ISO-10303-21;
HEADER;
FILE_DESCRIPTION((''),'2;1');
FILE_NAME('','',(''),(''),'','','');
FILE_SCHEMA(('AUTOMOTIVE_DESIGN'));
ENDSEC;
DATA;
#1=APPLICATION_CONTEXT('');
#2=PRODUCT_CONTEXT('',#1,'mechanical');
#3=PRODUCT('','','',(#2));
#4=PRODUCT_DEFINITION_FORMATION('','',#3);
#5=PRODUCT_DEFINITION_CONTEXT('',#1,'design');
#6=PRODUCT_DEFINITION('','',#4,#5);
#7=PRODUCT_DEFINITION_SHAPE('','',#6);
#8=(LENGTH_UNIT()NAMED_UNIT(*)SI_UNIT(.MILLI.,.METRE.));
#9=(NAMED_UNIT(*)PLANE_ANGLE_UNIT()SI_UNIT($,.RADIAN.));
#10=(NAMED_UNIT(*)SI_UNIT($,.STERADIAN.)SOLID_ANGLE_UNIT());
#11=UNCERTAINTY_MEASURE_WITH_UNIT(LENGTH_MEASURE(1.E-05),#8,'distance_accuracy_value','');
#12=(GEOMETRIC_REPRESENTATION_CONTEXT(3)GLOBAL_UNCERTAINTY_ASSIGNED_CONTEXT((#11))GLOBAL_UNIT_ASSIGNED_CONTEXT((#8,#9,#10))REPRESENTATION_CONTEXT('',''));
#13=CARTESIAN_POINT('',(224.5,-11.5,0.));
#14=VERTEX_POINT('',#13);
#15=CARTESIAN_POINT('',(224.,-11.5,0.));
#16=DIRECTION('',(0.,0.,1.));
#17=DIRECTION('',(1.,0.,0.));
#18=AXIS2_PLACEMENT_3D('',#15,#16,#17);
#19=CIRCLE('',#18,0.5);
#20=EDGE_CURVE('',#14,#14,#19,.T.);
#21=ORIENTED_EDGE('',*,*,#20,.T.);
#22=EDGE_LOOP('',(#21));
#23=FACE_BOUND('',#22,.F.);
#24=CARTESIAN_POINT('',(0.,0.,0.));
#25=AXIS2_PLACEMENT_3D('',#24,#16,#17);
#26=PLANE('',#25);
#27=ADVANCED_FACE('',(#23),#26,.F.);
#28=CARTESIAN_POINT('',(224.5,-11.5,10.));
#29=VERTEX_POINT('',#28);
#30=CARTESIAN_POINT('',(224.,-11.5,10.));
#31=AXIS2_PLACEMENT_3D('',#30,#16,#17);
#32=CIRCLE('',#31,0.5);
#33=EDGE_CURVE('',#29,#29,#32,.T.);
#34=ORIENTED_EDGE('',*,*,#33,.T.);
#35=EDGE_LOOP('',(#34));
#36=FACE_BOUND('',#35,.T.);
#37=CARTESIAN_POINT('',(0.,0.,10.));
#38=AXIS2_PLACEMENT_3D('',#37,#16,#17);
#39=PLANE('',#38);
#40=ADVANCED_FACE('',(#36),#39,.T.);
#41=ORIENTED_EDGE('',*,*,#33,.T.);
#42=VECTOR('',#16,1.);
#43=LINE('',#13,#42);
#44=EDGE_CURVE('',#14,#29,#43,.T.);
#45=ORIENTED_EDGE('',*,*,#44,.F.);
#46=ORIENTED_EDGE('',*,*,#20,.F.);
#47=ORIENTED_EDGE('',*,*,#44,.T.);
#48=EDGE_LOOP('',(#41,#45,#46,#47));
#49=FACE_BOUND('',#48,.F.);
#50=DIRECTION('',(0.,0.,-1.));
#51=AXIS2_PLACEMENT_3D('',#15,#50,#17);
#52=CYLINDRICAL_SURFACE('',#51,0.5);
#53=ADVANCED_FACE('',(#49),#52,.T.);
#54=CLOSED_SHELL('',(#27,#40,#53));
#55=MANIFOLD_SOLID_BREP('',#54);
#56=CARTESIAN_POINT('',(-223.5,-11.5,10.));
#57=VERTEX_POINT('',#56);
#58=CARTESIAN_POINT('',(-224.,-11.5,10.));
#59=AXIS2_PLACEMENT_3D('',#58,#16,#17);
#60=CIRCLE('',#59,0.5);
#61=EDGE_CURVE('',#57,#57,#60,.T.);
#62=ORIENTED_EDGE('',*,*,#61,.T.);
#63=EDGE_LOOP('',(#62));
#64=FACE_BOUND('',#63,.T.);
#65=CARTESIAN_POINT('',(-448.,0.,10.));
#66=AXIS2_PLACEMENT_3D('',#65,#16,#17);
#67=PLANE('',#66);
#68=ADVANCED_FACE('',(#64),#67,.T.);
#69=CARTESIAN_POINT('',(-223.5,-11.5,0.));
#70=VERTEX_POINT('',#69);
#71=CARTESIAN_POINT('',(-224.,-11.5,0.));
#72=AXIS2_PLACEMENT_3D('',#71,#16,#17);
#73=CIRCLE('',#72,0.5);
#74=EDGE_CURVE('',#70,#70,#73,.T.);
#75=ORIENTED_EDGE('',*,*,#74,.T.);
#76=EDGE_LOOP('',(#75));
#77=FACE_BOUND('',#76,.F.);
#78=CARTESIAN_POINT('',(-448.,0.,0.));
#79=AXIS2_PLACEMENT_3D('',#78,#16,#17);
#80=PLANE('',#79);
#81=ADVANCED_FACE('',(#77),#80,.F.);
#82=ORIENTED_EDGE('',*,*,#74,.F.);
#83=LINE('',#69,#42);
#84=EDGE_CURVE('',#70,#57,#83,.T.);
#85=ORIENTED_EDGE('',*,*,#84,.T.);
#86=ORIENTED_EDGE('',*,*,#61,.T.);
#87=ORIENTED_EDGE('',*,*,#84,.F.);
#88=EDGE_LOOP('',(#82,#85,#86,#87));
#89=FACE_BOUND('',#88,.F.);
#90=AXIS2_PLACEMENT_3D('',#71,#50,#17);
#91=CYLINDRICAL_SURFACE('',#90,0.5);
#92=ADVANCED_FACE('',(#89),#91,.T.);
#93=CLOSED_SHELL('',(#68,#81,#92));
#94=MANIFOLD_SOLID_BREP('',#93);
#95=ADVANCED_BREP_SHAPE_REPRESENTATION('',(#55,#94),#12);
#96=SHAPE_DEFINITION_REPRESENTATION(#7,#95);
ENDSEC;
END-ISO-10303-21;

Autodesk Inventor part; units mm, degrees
ref_plane "YZ Plane" through (0, 0, 0) normal (1, 0, 0) x (0, 1, 0)
ref_plane "XZ Plane" through (0, 0, 0) normal (0, 1, 0) x (-1, 0, 0)
ref_plane "XY Plane" through (0, 0, 0) normal (0, 0, 1) x (1, 0, 0)
sketch "Sketch1" plane through (0, 0, 0) normal (0, 0, 1) x (1, 0, 0)
  line L0 (-291.5, -9) -> (291.5, -9)
  line L1 (291.5, -9) -> (291.5, 9)
  line L2 (291.5, 9) -> (-291.5, 9)
  line L3 (-291.5, 9) -> (-291.5, -9)
  line L4 (-291.5, -9) -> (291.5, 9) construction
  line L5 (291.5, -9) -> (-291.5, 9) construction
  point P0 (0, 0)
  dimension "d0" = 583
  dimension "d1" = 18
sketch "Lamello" plane through (0, 0, 0) normal (0, 0, 1) x (1, 0, 0)
  line L0 (48.383, 141.1858) -> (42.783, 141.1858)
  line L1 (40.583, 139.6858) -> (40.583, 114.6858)
  line L2 (42.783, 113.1858) -> (48.383, 113.1858)
  line L3 (50.583, 114.6858) -> (50.583, 139.6858)
  line L4 (50.583, 139.6858) -> (48.383, 141.1858)
  line L5 (40.583, 139.6858) -> (42.783, 141.1858)
  line L6 (40.583, 114.6858) -> (42.783, 113.1858)
  line L7 (50.583, 114.6858) -> (48.383, 113.1858)
  line L8 (50.583, 127.1858) -> (40.583, 127.1858)
  line L9 (45.583, 141.1858) -> (45.583, 113.1858)
  point P0 (45.583, 127.1858)
  point P1 (50.583, 141.1858)
  point P2 (40.583, 113.1858)
  point P3 (40.583, 141.1858)
  point P4 (50.583, 113.1858)
  dimension "d54" = 10
  dimension "d55" = 28
  dimension "d56" = 1.5
  dimension "d57" = 2.2
  dimension "d58" = 1.5
  dimension "d59" = 2.2
  dimension "d60" = 1.5
  dimension "d61" = 2.2
  dimension "d62" = 1.5
  dimension "d63" = 2.2
sketch "Sketch2" plane through (0, 0, 0) normal (0, 0, 1) x (1, 0, 0)
  circle A0 centre (224, -11.5) radius 0.5
  line L0 (291.5, 9) -> (-291.5, 9) projected
  line L1 (-291.5, -9) -> (291.5, -9) projected
  line L2 (0, -16.2) -> (0, 13.2) projected
  point P0 (0, 0)
  dimension "d2" = 224
  dimension "d4" = 1
  dimension "d50" = 20.5
extrude "Extrusion1" add sketch "Sketch2" along normal blind 10
pattern_linear "Holders Array" count 2 spacing 448 along (-1, 0, 0) of "Extrusion1"
equation "\"d2\" = X_Coord"
equation "\"d9\" = Step"
equation "\"d0\" = ContactPatchWidth"
equation "\"d1\" = ContactPatchHeight"
equation "\"ContactPatchWidth\" = 583"
equation "\"ContactPatchHeight\" = 18"
equation "\"PlacingStep\" = 32"
equation "\"PlacingWidth\" = ContactPatchWidth - 2 * MinDistFromSide"
equation "\"MinDistBetween\" = 96"
equation "\"X_Coord\" = 224"
equation "\"Y_Coord\" = 0"
equation "\"NestleBoardT\" = 18"
equation "\"PillarBoardT\" = 18"
equation "\"AngleForYPositionCalc\" = 30deg"
equation "\"ConnectionAngle\" = 30deg"
equation "\"Step\" = 448"
equation "\"MinDistFromSide\" = 60"
properties part number "Shelf Holder Joint1100"
